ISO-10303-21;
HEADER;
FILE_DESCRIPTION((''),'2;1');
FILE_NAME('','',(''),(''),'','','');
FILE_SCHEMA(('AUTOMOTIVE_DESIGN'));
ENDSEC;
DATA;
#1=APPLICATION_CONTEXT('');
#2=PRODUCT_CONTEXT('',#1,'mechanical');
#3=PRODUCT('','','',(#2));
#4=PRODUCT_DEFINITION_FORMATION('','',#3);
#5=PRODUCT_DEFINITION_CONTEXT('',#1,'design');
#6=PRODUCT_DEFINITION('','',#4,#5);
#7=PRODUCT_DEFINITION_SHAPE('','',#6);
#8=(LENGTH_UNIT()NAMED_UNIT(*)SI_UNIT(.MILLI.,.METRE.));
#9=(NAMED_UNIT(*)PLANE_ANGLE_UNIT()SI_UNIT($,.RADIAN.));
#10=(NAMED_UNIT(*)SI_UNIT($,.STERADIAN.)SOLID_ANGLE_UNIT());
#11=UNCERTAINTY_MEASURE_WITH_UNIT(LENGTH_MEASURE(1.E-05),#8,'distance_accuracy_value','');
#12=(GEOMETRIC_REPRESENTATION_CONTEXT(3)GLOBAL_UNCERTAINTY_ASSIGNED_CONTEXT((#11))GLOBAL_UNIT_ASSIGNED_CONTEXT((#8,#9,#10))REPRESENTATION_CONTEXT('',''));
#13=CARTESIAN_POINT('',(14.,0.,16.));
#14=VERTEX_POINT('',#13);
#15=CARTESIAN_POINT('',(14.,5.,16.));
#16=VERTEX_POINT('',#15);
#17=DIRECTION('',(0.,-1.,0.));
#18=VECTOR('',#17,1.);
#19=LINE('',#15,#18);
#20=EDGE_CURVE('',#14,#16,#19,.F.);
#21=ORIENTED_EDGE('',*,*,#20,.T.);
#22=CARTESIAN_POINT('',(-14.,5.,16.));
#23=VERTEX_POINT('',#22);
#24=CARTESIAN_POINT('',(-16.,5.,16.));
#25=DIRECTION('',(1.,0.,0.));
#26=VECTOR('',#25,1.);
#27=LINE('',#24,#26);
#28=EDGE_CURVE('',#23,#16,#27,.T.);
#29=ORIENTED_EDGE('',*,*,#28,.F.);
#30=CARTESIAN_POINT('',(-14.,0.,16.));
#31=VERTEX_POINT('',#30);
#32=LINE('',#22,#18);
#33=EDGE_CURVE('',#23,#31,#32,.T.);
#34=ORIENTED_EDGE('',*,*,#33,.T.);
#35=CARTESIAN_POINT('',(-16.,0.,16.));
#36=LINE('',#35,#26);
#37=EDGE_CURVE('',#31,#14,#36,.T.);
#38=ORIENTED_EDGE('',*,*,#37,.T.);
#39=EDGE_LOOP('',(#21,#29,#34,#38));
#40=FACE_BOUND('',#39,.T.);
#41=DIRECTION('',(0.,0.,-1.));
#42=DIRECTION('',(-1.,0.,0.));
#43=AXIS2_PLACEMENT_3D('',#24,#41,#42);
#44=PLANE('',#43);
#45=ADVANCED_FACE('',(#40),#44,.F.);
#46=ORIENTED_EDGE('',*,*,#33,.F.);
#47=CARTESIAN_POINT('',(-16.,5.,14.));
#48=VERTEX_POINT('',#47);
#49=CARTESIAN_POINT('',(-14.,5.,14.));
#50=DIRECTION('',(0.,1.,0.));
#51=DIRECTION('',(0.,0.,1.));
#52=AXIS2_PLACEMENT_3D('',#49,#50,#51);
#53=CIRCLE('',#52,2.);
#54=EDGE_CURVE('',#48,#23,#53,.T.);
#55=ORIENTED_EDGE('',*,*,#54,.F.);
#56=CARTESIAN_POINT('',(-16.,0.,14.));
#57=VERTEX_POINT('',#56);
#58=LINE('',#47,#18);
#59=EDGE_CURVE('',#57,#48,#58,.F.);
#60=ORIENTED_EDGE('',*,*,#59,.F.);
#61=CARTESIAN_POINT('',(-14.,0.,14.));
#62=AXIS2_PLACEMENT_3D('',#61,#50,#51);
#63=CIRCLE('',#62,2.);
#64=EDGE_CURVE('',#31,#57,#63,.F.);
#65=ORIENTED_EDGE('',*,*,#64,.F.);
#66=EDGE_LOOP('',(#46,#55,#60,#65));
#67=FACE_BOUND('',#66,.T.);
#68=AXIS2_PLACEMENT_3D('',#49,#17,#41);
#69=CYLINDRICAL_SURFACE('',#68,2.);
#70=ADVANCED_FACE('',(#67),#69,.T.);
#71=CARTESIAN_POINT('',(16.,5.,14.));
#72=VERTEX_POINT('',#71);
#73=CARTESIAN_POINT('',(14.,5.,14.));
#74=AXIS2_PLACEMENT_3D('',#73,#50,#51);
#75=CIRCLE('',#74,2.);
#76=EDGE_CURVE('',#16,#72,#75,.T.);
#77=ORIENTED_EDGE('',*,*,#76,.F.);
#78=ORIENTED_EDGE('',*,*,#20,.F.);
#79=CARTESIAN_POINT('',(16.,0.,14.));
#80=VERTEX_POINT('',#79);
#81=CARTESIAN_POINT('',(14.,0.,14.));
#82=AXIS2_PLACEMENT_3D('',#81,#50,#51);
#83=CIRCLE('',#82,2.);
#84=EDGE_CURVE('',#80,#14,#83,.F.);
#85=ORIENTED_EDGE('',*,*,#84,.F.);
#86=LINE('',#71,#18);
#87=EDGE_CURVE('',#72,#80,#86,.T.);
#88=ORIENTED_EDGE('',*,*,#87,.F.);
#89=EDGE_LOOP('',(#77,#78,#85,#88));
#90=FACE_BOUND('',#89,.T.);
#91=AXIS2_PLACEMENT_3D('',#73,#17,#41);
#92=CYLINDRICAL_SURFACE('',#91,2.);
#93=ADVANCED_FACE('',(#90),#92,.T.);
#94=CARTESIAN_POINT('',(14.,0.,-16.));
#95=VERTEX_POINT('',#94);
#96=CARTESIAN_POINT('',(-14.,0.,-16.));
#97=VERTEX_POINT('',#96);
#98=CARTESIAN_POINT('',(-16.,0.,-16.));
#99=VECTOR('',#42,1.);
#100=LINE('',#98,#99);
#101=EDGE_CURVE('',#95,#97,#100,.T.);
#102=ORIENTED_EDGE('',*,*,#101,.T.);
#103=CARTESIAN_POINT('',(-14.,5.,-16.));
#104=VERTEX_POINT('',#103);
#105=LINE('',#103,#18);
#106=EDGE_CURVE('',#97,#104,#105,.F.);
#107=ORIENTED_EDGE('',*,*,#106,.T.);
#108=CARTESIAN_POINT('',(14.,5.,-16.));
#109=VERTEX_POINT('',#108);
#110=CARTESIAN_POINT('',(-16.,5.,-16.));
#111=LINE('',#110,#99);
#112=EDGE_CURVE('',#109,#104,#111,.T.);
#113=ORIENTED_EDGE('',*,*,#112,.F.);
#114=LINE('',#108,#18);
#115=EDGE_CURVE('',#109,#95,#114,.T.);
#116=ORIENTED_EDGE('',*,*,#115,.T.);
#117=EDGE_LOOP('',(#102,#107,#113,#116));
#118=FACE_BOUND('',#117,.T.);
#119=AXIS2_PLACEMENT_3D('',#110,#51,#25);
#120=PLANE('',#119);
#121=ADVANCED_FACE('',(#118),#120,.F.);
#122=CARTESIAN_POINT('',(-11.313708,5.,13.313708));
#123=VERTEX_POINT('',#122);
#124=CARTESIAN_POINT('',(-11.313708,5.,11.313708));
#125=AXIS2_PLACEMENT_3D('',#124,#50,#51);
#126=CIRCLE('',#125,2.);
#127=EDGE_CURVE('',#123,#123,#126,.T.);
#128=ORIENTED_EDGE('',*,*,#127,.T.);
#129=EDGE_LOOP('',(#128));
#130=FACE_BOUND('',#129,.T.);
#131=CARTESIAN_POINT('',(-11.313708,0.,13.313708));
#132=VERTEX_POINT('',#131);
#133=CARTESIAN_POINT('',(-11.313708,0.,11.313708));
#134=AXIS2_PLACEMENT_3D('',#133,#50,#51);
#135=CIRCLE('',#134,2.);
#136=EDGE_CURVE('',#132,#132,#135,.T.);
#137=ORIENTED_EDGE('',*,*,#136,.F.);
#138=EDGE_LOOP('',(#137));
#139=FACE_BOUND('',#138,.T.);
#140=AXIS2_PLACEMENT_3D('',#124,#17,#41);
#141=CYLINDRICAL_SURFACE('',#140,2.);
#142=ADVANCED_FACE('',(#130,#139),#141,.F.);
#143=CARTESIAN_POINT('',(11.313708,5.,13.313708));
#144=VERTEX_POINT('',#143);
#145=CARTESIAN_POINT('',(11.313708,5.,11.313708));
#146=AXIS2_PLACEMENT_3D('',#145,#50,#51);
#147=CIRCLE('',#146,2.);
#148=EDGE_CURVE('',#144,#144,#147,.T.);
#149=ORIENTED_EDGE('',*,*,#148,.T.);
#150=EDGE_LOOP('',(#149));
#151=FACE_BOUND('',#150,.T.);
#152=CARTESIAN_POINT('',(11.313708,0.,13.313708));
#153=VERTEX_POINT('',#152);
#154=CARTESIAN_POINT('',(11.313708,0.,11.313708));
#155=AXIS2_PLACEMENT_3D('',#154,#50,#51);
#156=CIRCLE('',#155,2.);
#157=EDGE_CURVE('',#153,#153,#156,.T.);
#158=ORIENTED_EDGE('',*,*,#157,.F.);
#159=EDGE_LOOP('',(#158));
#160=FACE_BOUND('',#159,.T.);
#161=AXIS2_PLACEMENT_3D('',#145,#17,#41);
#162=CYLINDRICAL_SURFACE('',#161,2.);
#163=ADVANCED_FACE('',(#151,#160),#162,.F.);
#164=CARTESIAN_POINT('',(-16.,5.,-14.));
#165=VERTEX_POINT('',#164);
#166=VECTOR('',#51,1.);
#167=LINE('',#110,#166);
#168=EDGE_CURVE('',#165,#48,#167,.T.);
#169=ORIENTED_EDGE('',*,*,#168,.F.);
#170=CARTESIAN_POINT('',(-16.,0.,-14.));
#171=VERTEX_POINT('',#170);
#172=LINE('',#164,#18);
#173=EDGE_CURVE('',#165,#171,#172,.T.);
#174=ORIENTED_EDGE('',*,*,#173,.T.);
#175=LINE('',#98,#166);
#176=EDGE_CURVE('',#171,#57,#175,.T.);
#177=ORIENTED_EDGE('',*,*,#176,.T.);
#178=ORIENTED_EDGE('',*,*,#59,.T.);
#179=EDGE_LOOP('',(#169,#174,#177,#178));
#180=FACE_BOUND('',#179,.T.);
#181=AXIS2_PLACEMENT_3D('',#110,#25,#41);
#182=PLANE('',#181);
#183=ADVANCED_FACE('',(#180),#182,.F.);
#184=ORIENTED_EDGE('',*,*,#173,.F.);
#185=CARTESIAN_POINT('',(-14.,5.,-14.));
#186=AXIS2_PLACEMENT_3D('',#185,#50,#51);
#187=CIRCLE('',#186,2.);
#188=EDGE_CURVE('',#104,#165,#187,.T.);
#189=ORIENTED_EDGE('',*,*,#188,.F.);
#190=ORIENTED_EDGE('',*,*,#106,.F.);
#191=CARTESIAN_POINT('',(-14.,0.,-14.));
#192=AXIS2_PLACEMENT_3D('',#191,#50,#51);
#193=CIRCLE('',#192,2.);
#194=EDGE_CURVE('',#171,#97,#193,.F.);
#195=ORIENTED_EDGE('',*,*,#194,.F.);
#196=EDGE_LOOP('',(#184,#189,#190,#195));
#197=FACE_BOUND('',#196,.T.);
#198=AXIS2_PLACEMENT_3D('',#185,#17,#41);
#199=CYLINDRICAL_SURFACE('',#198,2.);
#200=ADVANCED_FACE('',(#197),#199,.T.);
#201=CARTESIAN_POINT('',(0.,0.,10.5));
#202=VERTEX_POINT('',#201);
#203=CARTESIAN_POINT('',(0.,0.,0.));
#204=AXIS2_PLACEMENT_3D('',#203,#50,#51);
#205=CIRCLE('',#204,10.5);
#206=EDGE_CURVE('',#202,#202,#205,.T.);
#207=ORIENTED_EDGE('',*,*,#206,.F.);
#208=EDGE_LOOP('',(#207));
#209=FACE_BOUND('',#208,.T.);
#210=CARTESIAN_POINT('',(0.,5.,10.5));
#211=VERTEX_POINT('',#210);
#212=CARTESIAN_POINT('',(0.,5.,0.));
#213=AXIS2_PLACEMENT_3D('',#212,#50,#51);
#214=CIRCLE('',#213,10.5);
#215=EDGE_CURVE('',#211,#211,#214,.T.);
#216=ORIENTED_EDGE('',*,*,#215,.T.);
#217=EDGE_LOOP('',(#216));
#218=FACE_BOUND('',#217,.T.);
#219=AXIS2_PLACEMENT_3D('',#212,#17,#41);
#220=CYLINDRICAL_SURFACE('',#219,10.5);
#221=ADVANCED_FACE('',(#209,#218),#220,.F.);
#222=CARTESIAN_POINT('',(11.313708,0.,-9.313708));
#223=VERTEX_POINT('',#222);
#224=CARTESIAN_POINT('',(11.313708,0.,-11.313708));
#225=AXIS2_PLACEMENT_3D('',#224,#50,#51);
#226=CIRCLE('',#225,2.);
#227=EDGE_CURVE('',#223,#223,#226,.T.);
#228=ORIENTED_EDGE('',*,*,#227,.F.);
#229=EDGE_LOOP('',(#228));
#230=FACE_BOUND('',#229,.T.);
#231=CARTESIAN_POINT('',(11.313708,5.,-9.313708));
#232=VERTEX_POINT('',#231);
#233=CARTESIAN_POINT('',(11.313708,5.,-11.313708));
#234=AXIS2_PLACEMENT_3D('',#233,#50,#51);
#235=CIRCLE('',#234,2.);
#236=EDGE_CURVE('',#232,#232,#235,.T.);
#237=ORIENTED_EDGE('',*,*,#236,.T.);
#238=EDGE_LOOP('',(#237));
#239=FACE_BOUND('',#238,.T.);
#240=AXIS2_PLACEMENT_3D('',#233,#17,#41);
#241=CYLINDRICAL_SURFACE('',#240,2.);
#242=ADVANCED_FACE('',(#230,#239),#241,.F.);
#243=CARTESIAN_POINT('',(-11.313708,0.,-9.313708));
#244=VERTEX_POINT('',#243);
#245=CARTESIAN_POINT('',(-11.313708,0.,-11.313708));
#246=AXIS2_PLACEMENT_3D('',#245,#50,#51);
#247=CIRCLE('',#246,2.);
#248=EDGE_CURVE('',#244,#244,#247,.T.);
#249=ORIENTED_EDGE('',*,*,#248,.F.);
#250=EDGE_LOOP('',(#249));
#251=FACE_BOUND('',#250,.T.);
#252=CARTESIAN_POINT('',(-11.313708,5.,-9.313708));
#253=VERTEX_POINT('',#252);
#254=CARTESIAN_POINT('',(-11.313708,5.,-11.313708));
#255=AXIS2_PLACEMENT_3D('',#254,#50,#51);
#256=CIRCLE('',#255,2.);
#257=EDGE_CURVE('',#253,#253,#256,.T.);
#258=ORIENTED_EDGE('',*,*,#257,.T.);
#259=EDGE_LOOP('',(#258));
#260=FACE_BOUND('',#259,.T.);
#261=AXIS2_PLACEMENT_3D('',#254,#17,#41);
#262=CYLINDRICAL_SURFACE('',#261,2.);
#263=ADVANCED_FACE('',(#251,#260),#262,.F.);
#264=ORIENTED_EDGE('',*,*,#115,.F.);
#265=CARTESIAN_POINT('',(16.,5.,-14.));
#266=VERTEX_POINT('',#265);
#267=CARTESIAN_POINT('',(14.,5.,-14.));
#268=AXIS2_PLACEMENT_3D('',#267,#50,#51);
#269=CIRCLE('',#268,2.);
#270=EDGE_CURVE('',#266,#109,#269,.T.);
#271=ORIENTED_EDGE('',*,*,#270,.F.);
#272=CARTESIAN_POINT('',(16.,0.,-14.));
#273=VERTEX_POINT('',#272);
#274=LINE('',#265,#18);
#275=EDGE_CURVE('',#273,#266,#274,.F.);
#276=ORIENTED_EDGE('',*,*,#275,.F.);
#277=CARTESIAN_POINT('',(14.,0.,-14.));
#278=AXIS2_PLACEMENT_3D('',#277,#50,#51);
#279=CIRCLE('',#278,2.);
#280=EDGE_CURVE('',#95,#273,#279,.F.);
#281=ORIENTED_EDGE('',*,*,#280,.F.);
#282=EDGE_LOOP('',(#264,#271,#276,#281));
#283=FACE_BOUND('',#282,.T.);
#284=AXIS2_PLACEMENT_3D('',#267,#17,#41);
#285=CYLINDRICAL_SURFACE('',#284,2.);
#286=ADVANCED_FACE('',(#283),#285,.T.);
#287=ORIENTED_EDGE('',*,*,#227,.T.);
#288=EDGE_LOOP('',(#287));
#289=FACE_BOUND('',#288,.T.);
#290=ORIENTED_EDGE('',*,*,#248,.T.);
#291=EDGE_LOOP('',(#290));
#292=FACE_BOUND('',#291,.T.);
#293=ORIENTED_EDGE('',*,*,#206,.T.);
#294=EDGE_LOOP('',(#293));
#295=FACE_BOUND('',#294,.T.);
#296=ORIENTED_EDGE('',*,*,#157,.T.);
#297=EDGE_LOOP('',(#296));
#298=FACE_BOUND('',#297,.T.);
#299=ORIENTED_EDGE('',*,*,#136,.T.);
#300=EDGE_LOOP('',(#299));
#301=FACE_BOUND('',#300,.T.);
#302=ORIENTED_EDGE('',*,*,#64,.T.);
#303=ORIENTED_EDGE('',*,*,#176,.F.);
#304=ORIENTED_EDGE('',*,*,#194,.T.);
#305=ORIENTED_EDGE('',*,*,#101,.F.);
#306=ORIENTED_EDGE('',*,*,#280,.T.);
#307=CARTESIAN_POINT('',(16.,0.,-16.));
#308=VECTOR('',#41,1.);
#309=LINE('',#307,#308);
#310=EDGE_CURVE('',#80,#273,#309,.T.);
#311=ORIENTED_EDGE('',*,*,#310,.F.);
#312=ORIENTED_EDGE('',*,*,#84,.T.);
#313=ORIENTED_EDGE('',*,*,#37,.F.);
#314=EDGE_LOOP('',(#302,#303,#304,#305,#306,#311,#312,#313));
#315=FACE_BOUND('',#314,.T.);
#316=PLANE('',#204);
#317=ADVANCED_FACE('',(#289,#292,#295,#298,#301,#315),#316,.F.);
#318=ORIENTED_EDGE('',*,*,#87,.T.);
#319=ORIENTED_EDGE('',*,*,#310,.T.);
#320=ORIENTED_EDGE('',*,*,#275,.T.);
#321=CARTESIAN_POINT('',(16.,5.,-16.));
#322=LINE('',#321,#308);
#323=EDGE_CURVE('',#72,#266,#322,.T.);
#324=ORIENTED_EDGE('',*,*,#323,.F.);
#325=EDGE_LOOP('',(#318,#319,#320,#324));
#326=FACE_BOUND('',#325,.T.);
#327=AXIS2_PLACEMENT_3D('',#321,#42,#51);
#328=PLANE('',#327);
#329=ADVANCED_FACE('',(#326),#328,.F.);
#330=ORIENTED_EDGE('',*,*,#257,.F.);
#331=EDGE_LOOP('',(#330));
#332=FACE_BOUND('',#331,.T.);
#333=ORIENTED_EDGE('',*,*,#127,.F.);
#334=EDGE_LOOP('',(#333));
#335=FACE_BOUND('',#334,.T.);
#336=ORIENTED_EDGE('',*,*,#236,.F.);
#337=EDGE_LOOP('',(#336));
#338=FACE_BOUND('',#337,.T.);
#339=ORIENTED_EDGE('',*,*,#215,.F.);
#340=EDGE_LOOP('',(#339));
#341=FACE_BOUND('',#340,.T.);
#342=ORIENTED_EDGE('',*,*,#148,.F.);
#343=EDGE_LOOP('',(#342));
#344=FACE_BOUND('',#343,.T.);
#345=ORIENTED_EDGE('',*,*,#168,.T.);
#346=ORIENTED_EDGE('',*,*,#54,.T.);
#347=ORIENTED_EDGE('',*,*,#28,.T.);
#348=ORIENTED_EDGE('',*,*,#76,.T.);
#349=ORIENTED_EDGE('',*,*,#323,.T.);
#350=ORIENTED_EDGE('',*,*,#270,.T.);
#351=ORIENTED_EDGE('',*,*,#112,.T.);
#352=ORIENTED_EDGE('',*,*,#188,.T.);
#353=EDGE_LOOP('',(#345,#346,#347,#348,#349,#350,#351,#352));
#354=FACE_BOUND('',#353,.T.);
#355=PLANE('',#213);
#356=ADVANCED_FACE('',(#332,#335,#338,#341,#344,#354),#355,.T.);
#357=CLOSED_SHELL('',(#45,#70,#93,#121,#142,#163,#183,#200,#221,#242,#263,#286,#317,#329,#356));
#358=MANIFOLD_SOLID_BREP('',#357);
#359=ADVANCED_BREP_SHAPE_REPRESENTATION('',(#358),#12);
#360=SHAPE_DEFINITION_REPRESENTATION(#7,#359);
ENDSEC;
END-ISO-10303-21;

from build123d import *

# Parameters (mm, degrees)
SKETCH1_W           = 32
SKETCH1_H           = 32
SKETCH1_R           = 10.5
SKETCH1_R_2         = 2
BOSS_EXTRUDE1_DEPTH = 5
FILLET1_R           = 2


with BuildPart() as part:
    # Sketch1 → Boss-Extrude1 (new body)
    with BuildSketch(Plane(origin=(0, 0, 0), x_dir=(1, 0, 0), z_dir=(0, 1, 0))):
        Rectangle(SKETCH1_W, SKETCH1_H)
        with Locations(Location((0, 0, 0), (0, 0, 270))):
            Circle(SKETCH1_R, mode=Mode.SUBTRACT)
        with Locations(Location((-11.313708499, 11.313708499, 0), (0, 0, 270))):
            Circle(SKETCH1_R_2, mode=Mode.SUBTRACT)
        with Locations(Location((11.313708499, 11.313708499, 0), (0, 0, 270))):
            Circle(SKETCH1_R_2, mode=Mode.SUBTRACT)
        with Locations(Location((11.313708499, -11.313708499, 0), (0, 0, 270))):
            Circle(SKETCH1_R_2, mode=Mode.SUBTRACT)
        with Locations(Location((-11.313708499, -11.313708499, 0), (0, 0, 270))):
            Circle(SKETCH1_R_2, mode=Mode.SUBTRACT)
    extrude(amount=BOSS_EXTRUDE1_DEPTH)

    # Fillet1
    fillet1_edges = [part.edges().sort_by_distance(p)[0] for p in [
        (16, 2.5, 16),
        (-16, 2.5, 16),
        (-16, 2.5, -16),
        (16, 2.5, -16),
    ]]
    fillet(fillet1_edges, radius=FILLET1_R)


solid = part.part
